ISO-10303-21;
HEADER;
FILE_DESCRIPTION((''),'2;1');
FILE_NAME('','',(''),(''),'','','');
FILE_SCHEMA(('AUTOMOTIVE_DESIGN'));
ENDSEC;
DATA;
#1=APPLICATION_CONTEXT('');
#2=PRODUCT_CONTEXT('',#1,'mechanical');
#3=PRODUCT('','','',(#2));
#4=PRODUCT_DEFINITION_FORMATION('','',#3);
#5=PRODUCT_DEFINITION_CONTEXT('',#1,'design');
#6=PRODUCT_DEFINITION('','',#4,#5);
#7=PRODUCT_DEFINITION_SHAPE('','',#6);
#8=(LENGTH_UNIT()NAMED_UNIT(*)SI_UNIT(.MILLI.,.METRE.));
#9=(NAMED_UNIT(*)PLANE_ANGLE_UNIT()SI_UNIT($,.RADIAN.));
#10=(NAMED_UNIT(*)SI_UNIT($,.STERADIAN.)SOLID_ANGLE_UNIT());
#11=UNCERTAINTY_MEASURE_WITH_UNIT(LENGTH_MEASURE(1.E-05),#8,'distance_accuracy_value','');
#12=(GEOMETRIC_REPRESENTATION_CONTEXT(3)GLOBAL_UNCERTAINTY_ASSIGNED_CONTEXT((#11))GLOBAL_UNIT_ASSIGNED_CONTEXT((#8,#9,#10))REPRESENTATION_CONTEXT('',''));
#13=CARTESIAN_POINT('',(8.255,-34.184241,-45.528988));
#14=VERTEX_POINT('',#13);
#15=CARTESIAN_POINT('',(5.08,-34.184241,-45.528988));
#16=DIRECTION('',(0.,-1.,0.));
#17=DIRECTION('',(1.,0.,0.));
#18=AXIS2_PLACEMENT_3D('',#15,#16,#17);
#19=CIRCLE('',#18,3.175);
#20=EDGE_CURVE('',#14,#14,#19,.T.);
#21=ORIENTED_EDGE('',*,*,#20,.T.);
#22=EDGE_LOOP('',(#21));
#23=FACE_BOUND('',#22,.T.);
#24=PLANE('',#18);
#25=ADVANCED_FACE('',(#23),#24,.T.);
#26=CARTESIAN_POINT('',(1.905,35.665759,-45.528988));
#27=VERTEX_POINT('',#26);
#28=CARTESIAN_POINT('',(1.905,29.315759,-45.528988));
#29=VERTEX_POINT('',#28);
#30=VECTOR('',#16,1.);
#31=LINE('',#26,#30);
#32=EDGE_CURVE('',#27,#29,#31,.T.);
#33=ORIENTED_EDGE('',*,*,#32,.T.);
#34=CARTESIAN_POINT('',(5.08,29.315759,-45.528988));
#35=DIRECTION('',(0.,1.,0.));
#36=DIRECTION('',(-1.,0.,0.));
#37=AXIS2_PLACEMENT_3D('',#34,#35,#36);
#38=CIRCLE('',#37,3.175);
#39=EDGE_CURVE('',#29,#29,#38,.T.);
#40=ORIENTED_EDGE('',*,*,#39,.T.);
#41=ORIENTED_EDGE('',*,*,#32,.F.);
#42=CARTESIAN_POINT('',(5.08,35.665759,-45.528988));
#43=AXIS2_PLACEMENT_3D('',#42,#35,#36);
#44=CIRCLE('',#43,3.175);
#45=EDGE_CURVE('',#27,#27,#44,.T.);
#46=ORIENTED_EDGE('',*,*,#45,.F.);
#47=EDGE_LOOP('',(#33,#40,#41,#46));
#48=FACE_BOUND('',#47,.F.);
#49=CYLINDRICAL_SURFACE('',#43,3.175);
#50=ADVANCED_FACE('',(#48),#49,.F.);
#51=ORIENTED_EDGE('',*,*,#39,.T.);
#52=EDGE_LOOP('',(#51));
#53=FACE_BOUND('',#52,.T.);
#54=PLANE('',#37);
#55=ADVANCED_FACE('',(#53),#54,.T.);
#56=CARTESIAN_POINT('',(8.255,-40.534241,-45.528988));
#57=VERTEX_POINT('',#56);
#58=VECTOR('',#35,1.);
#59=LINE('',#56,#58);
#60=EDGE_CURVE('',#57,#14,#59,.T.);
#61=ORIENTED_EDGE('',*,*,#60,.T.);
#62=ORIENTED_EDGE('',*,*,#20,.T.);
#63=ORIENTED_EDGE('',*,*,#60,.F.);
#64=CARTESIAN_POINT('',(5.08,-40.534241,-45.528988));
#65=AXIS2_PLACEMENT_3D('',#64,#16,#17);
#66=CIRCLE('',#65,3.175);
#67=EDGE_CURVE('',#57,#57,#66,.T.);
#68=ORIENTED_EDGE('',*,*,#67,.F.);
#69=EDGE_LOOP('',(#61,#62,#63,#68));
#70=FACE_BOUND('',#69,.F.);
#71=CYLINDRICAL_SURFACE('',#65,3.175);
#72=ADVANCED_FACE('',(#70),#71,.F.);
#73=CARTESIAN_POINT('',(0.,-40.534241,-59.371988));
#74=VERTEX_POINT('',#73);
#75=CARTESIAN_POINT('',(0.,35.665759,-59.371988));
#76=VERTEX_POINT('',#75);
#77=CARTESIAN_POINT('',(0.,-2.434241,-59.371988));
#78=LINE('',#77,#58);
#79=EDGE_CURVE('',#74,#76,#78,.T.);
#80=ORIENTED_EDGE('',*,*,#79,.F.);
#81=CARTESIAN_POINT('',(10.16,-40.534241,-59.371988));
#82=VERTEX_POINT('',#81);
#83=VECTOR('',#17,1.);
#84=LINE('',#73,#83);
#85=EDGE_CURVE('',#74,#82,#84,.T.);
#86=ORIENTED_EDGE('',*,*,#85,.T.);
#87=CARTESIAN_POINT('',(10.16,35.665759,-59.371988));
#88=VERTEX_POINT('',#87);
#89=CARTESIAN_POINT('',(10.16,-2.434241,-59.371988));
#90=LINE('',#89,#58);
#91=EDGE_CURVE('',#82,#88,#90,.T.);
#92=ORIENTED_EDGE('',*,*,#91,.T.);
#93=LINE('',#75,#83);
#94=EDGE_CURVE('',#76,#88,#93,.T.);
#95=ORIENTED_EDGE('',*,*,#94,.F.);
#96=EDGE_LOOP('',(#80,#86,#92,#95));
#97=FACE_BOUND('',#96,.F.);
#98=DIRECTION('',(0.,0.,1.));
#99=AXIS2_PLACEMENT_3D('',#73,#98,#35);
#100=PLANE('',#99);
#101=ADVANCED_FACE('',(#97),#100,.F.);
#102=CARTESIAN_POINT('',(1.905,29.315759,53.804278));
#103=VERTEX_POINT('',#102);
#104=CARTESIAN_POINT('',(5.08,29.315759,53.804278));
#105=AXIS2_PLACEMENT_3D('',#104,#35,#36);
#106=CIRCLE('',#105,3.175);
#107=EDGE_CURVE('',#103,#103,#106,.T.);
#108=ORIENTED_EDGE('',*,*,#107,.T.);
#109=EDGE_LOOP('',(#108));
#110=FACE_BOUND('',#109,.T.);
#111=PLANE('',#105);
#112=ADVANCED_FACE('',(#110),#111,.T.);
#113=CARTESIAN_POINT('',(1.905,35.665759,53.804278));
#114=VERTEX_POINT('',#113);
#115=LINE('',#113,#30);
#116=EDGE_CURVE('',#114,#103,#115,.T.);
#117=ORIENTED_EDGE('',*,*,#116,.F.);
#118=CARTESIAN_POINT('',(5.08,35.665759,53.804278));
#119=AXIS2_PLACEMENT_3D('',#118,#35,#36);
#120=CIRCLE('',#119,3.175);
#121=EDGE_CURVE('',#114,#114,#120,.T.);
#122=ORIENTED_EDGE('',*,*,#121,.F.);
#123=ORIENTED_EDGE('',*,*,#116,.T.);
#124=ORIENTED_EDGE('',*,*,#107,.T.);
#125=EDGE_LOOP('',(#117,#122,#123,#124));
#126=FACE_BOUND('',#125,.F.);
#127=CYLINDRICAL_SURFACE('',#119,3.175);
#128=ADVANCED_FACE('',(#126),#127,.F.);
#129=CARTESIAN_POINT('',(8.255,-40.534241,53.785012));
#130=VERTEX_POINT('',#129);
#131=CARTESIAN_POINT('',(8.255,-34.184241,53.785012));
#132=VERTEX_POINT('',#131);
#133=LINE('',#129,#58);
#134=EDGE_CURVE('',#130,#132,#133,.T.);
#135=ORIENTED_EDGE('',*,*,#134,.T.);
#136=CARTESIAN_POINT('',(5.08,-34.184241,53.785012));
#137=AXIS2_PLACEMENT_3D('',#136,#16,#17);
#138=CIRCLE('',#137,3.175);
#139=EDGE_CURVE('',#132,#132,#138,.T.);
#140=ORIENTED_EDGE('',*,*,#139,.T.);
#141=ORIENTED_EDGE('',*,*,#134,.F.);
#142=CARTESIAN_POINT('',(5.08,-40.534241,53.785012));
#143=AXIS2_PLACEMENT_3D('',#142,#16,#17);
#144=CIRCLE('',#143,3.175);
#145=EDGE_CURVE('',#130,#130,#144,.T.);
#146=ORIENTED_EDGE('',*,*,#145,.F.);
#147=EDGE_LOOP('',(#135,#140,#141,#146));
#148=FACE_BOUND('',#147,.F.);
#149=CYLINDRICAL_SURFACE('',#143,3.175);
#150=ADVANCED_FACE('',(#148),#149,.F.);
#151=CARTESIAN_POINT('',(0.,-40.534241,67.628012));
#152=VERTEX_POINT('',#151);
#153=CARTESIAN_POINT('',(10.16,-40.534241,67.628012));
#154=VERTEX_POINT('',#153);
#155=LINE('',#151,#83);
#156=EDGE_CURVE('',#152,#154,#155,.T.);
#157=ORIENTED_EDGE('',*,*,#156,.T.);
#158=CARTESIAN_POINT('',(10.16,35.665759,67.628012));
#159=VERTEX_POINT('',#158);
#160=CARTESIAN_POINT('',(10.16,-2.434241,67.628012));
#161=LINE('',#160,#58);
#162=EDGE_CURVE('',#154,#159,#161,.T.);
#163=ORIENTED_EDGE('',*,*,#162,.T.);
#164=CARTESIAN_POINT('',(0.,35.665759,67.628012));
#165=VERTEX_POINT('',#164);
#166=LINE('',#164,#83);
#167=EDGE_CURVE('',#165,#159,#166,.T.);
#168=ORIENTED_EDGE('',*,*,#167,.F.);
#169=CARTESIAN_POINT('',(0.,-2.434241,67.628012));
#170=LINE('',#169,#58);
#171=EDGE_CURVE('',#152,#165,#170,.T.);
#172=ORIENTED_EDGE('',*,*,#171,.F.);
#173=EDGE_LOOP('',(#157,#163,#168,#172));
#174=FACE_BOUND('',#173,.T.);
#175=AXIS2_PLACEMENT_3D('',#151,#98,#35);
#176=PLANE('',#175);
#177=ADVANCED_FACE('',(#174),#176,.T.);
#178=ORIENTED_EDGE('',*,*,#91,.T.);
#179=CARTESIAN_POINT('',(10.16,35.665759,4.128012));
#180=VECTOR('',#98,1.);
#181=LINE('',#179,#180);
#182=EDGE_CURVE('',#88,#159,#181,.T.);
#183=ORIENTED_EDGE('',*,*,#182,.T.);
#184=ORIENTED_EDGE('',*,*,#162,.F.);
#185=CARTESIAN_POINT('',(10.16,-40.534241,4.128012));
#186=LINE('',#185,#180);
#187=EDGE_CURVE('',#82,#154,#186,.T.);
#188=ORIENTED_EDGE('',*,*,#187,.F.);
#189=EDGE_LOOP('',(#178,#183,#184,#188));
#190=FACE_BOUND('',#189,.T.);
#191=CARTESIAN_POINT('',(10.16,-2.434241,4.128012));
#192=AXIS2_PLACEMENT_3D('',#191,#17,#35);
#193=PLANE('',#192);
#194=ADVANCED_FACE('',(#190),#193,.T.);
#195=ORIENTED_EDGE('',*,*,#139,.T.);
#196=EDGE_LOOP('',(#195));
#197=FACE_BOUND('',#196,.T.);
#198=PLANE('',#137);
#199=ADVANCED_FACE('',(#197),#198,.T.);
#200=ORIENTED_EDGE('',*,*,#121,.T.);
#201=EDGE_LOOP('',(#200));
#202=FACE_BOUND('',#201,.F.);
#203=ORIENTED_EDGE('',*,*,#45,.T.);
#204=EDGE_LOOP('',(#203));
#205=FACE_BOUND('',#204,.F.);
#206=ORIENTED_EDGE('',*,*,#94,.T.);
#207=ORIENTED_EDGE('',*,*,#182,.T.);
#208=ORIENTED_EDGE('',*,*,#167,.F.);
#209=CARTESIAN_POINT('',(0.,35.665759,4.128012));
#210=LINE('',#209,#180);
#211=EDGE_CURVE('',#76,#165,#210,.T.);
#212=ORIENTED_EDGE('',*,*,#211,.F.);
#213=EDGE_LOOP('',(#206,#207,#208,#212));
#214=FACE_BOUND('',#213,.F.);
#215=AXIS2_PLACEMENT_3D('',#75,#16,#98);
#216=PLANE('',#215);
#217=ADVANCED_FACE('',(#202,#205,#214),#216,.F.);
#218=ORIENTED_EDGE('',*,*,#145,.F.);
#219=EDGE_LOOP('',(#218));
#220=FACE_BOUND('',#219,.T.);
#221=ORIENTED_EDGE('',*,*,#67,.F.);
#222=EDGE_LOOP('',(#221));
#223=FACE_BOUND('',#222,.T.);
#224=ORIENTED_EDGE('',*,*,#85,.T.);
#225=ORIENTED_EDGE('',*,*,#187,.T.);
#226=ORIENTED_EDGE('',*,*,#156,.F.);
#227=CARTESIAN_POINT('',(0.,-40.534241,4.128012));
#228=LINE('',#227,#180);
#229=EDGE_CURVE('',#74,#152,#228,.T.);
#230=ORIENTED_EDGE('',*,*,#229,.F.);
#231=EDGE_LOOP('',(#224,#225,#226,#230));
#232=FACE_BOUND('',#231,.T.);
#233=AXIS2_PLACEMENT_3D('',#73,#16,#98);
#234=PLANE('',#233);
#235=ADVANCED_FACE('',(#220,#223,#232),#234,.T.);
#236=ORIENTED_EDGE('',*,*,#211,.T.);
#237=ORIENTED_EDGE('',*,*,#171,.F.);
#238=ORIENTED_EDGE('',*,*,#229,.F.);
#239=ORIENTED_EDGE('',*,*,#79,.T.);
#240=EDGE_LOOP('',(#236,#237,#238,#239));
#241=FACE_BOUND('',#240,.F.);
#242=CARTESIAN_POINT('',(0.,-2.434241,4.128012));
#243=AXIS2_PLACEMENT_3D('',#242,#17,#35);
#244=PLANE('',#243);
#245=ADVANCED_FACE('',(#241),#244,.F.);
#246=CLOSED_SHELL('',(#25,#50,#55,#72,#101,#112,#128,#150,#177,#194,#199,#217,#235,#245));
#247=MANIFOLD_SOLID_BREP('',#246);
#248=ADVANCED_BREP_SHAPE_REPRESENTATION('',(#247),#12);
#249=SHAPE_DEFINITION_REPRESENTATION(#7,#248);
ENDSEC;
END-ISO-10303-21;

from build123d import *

# Parameters (mm, degrees)
F0_W     = 76.2
F0_H     = 127
F1_DEPTH = 10.16
F2_R     = 3.175
F3_DEPTH = 6.35
F4_DEPTH = 6.35
F5_R     = 3.175
F6_DEPTH = 6.35


with BuildPart() as f1:
    # F0 (on Right) → F1 (new body)
    with BuildSketch(Plane.YZ):
        with Locations((-2.434241, 4.128012)):
            Rectangle(F0_W, F0_H)
    extrude(amount=F1_DEPTH)

    # F2 (on face) → F3 (cut)
    with BuildSketch(Plane.XZ.offset(40.534241)):
        with Locations((5.08, -45.528988)):
            Circle(F2_R)
    extrude(amount=-F3_DEPTH, mode=Mode.SUBTRACT)

    # F2 (on face) → F4 (cut)
    with BuildSketch(Plane.XZ.offset(40.534241)):
        with Locations((5.08, 53.785012)):
            Circle(F2_R)
    extrude(amount=-F4_DEPTH, mode=Mode.SUBTRACT)

    # F5 (on face) → F6 (cut)
    with BuildSketch(Plane(origin=(0, 35.665759, 0), x_dir=(-1, 0, 0), z_dir=(0, 1, 0))):
        with Locations((-5.08, 53.804278)):
            Circle(F5_R)
        with Locations((-5.08, -45.528988)):
            Circle(F5_R)
    extrude(amount=-F6_DEPTH, mode=Mode.SUBTRACT)


solid = f1.part
